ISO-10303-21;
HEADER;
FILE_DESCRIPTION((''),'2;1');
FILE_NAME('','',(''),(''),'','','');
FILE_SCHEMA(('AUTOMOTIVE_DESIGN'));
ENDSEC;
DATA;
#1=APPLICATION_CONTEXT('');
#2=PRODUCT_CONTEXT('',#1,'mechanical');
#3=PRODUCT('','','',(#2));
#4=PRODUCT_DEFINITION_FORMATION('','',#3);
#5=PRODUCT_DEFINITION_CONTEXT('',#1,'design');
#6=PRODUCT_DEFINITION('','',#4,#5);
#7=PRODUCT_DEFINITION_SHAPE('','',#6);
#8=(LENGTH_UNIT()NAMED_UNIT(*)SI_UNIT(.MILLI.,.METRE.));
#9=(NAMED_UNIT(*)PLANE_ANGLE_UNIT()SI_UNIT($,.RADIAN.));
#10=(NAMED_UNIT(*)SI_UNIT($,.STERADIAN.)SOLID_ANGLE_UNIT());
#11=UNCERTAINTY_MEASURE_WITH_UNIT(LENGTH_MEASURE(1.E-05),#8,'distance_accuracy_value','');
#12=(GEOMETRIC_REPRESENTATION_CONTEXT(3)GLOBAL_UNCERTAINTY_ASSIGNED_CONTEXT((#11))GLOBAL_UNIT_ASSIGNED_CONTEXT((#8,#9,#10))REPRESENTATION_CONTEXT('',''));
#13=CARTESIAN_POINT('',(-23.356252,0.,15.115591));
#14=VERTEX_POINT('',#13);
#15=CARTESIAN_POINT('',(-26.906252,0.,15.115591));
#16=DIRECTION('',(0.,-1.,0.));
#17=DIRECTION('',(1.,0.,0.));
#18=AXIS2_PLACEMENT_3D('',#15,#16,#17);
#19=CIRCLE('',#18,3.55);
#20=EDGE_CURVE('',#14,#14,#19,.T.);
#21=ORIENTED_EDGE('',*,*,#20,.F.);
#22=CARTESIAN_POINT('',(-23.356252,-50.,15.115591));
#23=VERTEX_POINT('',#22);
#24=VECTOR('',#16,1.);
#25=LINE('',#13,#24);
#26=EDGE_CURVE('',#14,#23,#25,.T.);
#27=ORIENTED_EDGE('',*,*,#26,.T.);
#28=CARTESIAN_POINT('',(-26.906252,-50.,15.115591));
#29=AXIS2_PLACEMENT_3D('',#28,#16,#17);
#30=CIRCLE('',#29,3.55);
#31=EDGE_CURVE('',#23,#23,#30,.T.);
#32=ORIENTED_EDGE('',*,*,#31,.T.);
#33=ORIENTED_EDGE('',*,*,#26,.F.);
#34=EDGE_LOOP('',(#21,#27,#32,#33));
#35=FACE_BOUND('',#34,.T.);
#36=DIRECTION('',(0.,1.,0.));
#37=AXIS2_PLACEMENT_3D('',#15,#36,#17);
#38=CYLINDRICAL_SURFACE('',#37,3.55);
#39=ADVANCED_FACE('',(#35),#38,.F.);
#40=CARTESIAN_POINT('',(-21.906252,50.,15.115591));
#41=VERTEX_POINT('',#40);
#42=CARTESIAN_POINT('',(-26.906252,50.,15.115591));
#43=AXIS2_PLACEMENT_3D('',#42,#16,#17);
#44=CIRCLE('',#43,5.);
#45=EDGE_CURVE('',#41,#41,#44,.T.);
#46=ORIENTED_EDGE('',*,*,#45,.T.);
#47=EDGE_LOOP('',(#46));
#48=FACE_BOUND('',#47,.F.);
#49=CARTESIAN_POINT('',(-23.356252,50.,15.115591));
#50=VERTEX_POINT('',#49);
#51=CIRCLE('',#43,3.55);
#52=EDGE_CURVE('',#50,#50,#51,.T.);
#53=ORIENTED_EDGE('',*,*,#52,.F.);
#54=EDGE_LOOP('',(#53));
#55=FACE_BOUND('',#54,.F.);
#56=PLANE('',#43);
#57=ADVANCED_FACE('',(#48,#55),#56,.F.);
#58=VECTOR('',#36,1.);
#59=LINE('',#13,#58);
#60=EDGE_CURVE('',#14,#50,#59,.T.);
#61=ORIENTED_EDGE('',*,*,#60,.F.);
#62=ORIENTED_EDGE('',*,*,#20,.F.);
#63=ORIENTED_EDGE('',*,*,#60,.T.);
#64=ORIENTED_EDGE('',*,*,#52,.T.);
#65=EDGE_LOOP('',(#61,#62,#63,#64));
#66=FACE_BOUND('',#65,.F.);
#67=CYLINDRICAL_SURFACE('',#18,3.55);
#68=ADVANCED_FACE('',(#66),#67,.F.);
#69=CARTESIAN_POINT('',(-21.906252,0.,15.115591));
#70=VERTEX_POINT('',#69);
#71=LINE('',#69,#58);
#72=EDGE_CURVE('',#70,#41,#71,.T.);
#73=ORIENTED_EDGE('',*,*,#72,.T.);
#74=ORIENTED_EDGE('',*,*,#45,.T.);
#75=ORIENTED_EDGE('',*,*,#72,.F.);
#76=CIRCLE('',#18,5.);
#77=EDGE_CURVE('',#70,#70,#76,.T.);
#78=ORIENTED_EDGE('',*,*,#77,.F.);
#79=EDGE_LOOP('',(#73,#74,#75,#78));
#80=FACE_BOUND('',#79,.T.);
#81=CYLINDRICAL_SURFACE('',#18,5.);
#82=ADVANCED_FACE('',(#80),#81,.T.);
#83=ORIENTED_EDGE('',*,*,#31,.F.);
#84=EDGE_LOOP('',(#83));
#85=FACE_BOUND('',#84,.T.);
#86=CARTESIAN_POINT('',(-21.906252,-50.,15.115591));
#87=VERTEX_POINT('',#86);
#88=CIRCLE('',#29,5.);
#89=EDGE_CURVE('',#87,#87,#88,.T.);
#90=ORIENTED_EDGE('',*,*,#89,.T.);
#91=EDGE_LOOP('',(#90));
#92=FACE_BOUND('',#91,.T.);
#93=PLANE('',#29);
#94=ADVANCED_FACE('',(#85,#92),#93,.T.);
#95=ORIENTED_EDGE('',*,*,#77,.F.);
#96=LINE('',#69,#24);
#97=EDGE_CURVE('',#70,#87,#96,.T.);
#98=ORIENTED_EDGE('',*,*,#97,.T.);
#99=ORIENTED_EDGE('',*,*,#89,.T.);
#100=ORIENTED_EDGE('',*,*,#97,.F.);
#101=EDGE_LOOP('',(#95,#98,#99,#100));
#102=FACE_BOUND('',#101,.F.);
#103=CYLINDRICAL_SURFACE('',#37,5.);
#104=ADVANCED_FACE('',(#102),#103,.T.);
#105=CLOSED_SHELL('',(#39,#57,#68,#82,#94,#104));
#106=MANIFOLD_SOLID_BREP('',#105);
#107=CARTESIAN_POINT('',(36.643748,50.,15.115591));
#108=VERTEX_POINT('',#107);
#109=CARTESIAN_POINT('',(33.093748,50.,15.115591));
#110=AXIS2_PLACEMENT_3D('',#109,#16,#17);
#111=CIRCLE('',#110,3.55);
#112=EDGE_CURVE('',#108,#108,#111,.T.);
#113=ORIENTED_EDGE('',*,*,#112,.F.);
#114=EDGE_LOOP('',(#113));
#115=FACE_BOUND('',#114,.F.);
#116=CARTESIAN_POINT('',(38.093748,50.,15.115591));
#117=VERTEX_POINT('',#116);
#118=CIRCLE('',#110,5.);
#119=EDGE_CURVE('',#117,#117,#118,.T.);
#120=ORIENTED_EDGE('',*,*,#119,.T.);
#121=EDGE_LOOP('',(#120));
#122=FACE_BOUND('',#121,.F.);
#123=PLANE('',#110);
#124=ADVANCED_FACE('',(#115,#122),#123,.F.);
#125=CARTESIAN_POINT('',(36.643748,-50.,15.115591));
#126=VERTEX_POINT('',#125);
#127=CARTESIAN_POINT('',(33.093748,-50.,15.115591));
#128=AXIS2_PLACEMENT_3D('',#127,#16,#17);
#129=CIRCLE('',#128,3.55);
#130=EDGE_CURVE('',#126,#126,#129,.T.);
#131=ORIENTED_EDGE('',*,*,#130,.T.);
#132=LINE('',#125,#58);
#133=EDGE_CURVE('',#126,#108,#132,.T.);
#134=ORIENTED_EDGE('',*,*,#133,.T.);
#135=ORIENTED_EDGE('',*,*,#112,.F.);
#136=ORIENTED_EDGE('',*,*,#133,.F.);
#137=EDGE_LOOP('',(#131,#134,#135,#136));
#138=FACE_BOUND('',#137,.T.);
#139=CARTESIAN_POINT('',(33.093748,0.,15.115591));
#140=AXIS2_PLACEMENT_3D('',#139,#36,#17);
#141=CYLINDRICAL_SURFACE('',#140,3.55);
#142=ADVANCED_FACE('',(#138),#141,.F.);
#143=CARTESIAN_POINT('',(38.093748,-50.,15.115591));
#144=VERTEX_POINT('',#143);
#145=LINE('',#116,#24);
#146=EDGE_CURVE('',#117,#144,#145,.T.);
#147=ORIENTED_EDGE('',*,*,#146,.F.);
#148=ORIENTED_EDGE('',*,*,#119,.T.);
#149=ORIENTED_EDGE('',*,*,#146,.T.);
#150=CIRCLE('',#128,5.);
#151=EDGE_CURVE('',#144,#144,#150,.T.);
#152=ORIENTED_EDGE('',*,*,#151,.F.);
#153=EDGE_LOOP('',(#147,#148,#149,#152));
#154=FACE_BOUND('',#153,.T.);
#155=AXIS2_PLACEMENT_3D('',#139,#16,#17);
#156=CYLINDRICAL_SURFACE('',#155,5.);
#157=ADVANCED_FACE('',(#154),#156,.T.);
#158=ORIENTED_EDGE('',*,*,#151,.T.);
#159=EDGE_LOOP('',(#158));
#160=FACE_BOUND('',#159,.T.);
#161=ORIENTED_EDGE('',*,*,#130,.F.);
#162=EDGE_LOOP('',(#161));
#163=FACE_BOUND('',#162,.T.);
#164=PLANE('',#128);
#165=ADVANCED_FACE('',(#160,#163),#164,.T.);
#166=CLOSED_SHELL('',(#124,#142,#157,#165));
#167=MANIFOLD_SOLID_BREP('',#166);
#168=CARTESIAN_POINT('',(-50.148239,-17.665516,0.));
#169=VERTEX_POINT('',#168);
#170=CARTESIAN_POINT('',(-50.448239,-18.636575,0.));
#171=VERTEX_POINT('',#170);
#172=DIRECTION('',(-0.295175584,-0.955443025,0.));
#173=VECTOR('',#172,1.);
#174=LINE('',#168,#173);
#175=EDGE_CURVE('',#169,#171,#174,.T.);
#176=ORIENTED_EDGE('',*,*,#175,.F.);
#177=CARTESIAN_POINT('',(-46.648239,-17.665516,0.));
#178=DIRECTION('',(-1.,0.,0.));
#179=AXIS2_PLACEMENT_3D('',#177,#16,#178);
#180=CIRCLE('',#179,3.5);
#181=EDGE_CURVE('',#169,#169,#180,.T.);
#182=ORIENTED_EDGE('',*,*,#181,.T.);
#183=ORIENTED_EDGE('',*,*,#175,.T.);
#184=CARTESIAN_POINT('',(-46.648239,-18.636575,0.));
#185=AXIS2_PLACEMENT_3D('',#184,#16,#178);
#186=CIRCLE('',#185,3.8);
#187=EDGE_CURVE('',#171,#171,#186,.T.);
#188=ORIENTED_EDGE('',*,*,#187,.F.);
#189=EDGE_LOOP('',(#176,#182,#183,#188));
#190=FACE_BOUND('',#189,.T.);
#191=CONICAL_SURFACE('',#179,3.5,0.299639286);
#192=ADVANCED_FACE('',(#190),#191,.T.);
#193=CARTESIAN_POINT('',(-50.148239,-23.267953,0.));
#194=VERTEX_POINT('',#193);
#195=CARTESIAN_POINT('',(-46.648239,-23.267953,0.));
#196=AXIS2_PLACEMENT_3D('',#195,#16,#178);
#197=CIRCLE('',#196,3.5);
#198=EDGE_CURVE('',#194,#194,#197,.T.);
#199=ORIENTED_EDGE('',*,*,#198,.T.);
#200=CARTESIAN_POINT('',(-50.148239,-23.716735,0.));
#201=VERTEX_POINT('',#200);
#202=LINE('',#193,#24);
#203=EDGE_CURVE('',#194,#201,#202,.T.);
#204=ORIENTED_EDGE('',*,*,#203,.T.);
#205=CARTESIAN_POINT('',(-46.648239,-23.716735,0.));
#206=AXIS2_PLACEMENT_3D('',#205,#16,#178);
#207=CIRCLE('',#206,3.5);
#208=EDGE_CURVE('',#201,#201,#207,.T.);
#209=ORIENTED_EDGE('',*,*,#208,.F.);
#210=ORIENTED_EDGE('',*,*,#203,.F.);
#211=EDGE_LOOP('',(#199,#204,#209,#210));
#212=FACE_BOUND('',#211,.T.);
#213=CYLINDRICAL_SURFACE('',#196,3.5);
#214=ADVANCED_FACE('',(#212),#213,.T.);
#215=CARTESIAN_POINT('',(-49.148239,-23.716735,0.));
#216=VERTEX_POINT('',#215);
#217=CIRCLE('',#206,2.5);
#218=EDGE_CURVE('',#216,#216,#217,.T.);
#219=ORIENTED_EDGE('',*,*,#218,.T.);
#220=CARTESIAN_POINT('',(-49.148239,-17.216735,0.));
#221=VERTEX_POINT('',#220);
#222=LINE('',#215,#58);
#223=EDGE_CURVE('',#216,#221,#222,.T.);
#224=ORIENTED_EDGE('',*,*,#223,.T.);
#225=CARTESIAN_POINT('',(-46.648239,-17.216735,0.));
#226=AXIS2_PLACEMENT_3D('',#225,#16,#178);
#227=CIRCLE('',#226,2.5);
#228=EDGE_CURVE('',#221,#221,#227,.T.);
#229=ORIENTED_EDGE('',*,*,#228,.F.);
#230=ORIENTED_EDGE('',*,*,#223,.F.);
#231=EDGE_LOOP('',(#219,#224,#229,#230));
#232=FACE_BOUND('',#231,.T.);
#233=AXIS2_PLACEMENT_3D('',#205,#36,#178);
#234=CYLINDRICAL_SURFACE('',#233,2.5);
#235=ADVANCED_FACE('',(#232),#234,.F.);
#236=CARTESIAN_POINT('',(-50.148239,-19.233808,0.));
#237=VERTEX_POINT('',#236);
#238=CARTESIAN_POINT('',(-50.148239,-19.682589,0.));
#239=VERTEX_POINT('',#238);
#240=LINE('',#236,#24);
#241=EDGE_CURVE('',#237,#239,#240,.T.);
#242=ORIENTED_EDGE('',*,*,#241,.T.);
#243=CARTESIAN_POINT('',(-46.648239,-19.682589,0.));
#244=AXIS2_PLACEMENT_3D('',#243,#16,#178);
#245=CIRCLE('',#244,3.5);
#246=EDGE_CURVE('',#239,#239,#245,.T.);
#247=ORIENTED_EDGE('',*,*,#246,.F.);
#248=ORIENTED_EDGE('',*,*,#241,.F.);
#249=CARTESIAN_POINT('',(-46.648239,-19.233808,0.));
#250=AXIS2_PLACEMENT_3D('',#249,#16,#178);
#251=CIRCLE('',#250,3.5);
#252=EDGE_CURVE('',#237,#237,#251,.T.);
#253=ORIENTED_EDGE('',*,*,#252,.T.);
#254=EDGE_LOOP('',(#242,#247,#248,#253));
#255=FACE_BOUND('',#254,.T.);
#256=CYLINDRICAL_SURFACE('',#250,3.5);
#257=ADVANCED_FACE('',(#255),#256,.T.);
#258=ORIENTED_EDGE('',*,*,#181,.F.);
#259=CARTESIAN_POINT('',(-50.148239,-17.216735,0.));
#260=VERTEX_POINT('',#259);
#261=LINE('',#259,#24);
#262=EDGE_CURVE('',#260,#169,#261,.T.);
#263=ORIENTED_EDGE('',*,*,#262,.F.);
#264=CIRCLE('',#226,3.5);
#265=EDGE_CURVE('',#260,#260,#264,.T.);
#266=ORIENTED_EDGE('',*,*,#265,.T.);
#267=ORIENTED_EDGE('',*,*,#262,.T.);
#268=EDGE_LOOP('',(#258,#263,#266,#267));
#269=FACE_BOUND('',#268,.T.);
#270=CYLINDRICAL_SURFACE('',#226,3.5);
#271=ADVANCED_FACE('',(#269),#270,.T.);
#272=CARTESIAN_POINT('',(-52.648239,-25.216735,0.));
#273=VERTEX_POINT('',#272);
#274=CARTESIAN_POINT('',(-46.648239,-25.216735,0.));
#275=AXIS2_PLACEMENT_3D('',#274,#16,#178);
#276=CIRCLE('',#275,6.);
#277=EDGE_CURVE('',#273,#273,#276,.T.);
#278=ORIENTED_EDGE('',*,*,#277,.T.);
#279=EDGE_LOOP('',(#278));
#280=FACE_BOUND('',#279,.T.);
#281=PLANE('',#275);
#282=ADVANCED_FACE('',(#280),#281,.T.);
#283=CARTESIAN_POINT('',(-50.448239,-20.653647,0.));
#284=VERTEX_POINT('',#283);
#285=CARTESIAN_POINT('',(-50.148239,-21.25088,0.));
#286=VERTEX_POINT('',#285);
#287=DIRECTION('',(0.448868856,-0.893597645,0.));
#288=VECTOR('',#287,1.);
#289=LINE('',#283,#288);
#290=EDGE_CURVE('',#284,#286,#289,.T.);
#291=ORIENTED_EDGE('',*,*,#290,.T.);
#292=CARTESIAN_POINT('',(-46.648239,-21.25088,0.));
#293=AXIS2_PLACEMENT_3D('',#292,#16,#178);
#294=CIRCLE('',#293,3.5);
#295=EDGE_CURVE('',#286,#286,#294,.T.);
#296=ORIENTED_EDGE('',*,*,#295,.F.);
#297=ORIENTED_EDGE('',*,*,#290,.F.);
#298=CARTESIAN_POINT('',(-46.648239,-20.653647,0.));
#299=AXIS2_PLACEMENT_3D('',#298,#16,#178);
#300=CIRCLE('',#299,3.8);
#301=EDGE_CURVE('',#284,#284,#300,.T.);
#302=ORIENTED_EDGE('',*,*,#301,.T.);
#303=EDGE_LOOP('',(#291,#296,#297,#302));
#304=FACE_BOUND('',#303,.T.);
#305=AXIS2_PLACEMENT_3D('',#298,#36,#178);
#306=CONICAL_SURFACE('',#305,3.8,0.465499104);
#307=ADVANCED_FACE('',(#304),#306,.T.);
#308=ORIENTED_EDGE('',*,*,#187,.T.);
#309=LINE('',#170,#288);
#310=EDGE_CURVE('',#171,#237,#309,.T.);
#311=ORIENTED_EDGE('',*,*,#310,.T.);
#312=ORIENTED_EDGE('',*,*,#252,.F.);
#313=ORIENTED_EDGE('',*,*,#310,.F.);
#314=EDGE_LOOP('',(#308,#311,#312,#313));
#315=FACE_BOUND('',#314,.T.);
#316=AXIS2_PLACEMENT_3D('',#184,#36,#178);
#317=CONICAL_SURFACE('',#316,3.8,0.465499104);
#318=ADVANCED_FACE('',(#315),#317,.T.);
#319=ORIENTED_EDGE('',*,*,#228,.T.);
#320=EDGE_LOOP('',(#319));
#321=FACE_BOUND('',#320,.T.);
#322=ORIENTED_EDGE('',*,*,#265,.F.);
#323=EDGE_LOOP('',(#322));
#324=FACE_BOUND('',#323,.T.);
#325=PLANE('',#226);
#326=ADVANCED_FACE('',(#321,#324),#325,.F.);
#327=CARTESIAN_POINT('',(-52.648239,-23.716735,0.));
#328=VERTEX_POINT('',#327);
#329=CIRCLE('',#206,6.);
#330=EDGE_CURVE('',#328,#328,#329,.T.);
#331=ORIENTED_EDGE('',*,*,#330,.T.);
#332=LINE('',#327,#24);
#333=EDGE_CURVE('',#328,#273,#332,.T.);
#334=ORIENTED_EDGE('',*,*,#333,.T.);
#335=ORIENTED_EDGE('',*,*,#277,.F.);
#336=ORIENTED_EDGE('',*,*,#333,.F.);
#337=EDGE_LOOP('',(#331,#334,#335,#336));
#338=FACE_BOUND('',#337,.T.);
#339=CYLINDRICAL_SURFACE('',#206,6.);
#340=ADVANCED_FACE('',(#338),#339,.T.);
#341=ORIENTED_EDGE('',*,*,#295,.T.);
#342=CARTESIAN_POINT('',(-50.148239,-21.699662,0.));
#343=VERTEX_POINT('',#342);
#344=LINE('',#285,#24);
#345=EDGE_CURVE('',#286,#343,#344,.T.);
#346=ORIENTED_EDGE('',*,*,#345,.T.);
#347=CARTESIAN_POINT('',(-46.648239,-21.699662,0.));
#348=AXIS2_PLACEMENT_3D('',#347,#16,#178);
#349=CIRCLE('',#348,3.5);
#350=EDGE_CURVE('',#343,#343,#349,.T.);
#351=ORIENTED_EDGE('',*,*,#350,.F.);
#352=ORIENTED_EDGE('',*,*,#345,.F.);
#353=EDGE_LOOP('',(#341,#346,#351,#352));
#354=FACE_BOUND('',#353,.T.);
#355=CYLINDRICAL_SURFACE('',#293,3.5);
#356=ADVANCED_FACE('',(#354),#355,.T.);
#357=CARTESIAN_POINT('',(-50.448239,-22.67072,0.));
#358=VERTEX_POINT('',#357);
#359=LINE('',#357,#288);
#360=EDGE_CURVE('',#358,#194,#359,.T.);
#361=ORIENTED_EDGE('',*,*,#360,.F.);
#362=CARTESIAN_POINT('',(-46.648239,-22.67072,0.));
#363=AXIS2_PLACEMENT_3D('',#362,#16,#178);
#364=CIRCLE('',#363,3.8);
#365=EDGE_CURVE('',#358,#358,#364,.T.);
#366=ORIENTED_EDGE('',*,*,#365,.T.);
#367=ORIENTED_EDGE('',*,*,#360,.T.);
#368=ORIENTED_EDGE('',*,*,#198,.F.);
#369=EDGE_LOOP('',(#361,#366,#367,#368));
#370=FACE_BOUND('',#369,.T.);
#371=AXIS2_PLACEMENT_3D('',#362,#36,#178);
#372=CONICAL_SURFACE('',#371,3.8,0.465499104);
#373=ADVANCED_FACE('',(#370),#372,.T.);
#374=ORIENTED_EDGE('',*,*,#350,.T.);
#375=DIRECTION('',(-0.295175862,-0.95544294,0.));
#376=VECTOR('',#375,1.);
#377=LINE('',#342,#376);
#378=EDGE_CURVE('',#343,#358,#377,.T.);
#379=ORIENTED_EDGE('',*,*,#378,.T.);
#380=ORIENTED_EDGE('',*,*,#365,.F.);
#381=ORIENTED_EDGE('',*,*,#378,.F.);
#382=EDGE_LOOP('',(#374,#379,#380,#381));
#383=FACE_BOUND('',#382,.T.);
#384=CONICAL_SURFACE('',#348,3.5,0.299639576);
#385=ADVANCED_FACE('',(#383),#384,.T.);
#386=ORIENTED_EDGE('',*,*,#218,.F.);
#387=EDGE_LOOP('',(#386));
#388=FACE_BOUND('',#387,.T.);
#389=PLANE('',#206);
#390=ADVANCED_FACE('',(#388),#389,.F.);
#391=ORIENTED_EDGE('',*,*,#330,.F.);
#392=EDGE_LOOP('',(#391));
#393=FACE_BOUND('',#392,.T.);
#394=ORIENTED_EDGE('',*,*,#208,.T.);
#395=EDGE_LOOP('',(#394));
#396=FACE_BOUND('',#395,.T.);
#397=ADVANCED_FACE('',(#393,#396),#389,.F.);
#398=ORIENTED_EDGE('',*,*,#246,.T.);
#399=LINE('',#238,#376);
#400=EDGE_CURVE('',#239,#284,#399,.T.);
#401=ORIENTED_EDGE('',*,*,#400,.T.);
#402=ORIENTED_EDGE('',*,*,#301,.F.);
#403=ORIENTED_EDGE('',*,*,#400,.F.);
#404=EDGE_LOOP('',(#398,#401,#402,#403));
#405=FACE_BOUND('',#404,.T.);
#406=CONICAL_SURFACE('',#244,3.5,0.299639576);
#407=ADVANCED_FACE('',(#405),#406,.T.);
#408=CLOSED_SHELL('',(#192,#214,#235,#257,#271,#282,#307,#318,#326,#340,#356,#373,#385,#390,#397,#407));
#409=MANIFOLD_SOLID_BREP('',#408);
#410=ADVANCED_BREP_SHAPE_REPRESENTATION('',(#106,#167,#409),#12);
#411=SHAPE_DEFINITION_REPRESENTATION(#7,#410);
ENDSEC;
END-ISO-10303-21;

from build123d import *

# Parameters (mm, degrees)
F0_R     = 5
F0_R_2   = 3.55
F1_DEPTH = 50


with BuildPart() as f1:
    # F0 (on Front) → F1 (new body, symmetric)
    with BuildSketch(Plane.XZ):
        with Locations((-26.906252, 15.115591)):
            Circle(F0_R)
        with Locations((-26.906252, 15.115591)):
            Circle(F0_R_2, mode=Mode.SUBTRACT)
        with Locations((33.093748, 15.115591)):
            Circle(F0_R)
        with Locations((33.093748, 15.115591)):
            Circle(F0_R_2, mode=Mode.SUBTRACT)
    extrude(amount=F1_DEPTH, both=True)


with BuildPart() as f3:
    # F2 (on Top) → F3 (revolve)
    with BuildSketch(Plane.XY):
        Polygon((-50.148239, -23.716735), (-52.648239, -23.716735), (-52.648239, -25.216735), (-46.648239, -25.216735), (-46.648239, -23.716735), (-49.148239, -23.716735), align=None)
        Polygon((-50.148239, -23.267953), (-50.148239, -23.716735), (-49.148239, -23.716735), (-49.148239, -17.216735), (-50.148239, -17.216735), (-50.148239, -17.665516), (-50.448239, -18.636575), (-50.148239, -19.233808), (-50.148239, -19.682589), (-50.448239, -20.653647), (-50.148239, -21.25088), (-50.148239, -21.699662), (-50.448239, -22.67072), align=None)
    revolve(axis=Axis((-46.648239, -24.466735, 0), (0, -1, 0)))


solid = Compound([f1.part, f3.part])
